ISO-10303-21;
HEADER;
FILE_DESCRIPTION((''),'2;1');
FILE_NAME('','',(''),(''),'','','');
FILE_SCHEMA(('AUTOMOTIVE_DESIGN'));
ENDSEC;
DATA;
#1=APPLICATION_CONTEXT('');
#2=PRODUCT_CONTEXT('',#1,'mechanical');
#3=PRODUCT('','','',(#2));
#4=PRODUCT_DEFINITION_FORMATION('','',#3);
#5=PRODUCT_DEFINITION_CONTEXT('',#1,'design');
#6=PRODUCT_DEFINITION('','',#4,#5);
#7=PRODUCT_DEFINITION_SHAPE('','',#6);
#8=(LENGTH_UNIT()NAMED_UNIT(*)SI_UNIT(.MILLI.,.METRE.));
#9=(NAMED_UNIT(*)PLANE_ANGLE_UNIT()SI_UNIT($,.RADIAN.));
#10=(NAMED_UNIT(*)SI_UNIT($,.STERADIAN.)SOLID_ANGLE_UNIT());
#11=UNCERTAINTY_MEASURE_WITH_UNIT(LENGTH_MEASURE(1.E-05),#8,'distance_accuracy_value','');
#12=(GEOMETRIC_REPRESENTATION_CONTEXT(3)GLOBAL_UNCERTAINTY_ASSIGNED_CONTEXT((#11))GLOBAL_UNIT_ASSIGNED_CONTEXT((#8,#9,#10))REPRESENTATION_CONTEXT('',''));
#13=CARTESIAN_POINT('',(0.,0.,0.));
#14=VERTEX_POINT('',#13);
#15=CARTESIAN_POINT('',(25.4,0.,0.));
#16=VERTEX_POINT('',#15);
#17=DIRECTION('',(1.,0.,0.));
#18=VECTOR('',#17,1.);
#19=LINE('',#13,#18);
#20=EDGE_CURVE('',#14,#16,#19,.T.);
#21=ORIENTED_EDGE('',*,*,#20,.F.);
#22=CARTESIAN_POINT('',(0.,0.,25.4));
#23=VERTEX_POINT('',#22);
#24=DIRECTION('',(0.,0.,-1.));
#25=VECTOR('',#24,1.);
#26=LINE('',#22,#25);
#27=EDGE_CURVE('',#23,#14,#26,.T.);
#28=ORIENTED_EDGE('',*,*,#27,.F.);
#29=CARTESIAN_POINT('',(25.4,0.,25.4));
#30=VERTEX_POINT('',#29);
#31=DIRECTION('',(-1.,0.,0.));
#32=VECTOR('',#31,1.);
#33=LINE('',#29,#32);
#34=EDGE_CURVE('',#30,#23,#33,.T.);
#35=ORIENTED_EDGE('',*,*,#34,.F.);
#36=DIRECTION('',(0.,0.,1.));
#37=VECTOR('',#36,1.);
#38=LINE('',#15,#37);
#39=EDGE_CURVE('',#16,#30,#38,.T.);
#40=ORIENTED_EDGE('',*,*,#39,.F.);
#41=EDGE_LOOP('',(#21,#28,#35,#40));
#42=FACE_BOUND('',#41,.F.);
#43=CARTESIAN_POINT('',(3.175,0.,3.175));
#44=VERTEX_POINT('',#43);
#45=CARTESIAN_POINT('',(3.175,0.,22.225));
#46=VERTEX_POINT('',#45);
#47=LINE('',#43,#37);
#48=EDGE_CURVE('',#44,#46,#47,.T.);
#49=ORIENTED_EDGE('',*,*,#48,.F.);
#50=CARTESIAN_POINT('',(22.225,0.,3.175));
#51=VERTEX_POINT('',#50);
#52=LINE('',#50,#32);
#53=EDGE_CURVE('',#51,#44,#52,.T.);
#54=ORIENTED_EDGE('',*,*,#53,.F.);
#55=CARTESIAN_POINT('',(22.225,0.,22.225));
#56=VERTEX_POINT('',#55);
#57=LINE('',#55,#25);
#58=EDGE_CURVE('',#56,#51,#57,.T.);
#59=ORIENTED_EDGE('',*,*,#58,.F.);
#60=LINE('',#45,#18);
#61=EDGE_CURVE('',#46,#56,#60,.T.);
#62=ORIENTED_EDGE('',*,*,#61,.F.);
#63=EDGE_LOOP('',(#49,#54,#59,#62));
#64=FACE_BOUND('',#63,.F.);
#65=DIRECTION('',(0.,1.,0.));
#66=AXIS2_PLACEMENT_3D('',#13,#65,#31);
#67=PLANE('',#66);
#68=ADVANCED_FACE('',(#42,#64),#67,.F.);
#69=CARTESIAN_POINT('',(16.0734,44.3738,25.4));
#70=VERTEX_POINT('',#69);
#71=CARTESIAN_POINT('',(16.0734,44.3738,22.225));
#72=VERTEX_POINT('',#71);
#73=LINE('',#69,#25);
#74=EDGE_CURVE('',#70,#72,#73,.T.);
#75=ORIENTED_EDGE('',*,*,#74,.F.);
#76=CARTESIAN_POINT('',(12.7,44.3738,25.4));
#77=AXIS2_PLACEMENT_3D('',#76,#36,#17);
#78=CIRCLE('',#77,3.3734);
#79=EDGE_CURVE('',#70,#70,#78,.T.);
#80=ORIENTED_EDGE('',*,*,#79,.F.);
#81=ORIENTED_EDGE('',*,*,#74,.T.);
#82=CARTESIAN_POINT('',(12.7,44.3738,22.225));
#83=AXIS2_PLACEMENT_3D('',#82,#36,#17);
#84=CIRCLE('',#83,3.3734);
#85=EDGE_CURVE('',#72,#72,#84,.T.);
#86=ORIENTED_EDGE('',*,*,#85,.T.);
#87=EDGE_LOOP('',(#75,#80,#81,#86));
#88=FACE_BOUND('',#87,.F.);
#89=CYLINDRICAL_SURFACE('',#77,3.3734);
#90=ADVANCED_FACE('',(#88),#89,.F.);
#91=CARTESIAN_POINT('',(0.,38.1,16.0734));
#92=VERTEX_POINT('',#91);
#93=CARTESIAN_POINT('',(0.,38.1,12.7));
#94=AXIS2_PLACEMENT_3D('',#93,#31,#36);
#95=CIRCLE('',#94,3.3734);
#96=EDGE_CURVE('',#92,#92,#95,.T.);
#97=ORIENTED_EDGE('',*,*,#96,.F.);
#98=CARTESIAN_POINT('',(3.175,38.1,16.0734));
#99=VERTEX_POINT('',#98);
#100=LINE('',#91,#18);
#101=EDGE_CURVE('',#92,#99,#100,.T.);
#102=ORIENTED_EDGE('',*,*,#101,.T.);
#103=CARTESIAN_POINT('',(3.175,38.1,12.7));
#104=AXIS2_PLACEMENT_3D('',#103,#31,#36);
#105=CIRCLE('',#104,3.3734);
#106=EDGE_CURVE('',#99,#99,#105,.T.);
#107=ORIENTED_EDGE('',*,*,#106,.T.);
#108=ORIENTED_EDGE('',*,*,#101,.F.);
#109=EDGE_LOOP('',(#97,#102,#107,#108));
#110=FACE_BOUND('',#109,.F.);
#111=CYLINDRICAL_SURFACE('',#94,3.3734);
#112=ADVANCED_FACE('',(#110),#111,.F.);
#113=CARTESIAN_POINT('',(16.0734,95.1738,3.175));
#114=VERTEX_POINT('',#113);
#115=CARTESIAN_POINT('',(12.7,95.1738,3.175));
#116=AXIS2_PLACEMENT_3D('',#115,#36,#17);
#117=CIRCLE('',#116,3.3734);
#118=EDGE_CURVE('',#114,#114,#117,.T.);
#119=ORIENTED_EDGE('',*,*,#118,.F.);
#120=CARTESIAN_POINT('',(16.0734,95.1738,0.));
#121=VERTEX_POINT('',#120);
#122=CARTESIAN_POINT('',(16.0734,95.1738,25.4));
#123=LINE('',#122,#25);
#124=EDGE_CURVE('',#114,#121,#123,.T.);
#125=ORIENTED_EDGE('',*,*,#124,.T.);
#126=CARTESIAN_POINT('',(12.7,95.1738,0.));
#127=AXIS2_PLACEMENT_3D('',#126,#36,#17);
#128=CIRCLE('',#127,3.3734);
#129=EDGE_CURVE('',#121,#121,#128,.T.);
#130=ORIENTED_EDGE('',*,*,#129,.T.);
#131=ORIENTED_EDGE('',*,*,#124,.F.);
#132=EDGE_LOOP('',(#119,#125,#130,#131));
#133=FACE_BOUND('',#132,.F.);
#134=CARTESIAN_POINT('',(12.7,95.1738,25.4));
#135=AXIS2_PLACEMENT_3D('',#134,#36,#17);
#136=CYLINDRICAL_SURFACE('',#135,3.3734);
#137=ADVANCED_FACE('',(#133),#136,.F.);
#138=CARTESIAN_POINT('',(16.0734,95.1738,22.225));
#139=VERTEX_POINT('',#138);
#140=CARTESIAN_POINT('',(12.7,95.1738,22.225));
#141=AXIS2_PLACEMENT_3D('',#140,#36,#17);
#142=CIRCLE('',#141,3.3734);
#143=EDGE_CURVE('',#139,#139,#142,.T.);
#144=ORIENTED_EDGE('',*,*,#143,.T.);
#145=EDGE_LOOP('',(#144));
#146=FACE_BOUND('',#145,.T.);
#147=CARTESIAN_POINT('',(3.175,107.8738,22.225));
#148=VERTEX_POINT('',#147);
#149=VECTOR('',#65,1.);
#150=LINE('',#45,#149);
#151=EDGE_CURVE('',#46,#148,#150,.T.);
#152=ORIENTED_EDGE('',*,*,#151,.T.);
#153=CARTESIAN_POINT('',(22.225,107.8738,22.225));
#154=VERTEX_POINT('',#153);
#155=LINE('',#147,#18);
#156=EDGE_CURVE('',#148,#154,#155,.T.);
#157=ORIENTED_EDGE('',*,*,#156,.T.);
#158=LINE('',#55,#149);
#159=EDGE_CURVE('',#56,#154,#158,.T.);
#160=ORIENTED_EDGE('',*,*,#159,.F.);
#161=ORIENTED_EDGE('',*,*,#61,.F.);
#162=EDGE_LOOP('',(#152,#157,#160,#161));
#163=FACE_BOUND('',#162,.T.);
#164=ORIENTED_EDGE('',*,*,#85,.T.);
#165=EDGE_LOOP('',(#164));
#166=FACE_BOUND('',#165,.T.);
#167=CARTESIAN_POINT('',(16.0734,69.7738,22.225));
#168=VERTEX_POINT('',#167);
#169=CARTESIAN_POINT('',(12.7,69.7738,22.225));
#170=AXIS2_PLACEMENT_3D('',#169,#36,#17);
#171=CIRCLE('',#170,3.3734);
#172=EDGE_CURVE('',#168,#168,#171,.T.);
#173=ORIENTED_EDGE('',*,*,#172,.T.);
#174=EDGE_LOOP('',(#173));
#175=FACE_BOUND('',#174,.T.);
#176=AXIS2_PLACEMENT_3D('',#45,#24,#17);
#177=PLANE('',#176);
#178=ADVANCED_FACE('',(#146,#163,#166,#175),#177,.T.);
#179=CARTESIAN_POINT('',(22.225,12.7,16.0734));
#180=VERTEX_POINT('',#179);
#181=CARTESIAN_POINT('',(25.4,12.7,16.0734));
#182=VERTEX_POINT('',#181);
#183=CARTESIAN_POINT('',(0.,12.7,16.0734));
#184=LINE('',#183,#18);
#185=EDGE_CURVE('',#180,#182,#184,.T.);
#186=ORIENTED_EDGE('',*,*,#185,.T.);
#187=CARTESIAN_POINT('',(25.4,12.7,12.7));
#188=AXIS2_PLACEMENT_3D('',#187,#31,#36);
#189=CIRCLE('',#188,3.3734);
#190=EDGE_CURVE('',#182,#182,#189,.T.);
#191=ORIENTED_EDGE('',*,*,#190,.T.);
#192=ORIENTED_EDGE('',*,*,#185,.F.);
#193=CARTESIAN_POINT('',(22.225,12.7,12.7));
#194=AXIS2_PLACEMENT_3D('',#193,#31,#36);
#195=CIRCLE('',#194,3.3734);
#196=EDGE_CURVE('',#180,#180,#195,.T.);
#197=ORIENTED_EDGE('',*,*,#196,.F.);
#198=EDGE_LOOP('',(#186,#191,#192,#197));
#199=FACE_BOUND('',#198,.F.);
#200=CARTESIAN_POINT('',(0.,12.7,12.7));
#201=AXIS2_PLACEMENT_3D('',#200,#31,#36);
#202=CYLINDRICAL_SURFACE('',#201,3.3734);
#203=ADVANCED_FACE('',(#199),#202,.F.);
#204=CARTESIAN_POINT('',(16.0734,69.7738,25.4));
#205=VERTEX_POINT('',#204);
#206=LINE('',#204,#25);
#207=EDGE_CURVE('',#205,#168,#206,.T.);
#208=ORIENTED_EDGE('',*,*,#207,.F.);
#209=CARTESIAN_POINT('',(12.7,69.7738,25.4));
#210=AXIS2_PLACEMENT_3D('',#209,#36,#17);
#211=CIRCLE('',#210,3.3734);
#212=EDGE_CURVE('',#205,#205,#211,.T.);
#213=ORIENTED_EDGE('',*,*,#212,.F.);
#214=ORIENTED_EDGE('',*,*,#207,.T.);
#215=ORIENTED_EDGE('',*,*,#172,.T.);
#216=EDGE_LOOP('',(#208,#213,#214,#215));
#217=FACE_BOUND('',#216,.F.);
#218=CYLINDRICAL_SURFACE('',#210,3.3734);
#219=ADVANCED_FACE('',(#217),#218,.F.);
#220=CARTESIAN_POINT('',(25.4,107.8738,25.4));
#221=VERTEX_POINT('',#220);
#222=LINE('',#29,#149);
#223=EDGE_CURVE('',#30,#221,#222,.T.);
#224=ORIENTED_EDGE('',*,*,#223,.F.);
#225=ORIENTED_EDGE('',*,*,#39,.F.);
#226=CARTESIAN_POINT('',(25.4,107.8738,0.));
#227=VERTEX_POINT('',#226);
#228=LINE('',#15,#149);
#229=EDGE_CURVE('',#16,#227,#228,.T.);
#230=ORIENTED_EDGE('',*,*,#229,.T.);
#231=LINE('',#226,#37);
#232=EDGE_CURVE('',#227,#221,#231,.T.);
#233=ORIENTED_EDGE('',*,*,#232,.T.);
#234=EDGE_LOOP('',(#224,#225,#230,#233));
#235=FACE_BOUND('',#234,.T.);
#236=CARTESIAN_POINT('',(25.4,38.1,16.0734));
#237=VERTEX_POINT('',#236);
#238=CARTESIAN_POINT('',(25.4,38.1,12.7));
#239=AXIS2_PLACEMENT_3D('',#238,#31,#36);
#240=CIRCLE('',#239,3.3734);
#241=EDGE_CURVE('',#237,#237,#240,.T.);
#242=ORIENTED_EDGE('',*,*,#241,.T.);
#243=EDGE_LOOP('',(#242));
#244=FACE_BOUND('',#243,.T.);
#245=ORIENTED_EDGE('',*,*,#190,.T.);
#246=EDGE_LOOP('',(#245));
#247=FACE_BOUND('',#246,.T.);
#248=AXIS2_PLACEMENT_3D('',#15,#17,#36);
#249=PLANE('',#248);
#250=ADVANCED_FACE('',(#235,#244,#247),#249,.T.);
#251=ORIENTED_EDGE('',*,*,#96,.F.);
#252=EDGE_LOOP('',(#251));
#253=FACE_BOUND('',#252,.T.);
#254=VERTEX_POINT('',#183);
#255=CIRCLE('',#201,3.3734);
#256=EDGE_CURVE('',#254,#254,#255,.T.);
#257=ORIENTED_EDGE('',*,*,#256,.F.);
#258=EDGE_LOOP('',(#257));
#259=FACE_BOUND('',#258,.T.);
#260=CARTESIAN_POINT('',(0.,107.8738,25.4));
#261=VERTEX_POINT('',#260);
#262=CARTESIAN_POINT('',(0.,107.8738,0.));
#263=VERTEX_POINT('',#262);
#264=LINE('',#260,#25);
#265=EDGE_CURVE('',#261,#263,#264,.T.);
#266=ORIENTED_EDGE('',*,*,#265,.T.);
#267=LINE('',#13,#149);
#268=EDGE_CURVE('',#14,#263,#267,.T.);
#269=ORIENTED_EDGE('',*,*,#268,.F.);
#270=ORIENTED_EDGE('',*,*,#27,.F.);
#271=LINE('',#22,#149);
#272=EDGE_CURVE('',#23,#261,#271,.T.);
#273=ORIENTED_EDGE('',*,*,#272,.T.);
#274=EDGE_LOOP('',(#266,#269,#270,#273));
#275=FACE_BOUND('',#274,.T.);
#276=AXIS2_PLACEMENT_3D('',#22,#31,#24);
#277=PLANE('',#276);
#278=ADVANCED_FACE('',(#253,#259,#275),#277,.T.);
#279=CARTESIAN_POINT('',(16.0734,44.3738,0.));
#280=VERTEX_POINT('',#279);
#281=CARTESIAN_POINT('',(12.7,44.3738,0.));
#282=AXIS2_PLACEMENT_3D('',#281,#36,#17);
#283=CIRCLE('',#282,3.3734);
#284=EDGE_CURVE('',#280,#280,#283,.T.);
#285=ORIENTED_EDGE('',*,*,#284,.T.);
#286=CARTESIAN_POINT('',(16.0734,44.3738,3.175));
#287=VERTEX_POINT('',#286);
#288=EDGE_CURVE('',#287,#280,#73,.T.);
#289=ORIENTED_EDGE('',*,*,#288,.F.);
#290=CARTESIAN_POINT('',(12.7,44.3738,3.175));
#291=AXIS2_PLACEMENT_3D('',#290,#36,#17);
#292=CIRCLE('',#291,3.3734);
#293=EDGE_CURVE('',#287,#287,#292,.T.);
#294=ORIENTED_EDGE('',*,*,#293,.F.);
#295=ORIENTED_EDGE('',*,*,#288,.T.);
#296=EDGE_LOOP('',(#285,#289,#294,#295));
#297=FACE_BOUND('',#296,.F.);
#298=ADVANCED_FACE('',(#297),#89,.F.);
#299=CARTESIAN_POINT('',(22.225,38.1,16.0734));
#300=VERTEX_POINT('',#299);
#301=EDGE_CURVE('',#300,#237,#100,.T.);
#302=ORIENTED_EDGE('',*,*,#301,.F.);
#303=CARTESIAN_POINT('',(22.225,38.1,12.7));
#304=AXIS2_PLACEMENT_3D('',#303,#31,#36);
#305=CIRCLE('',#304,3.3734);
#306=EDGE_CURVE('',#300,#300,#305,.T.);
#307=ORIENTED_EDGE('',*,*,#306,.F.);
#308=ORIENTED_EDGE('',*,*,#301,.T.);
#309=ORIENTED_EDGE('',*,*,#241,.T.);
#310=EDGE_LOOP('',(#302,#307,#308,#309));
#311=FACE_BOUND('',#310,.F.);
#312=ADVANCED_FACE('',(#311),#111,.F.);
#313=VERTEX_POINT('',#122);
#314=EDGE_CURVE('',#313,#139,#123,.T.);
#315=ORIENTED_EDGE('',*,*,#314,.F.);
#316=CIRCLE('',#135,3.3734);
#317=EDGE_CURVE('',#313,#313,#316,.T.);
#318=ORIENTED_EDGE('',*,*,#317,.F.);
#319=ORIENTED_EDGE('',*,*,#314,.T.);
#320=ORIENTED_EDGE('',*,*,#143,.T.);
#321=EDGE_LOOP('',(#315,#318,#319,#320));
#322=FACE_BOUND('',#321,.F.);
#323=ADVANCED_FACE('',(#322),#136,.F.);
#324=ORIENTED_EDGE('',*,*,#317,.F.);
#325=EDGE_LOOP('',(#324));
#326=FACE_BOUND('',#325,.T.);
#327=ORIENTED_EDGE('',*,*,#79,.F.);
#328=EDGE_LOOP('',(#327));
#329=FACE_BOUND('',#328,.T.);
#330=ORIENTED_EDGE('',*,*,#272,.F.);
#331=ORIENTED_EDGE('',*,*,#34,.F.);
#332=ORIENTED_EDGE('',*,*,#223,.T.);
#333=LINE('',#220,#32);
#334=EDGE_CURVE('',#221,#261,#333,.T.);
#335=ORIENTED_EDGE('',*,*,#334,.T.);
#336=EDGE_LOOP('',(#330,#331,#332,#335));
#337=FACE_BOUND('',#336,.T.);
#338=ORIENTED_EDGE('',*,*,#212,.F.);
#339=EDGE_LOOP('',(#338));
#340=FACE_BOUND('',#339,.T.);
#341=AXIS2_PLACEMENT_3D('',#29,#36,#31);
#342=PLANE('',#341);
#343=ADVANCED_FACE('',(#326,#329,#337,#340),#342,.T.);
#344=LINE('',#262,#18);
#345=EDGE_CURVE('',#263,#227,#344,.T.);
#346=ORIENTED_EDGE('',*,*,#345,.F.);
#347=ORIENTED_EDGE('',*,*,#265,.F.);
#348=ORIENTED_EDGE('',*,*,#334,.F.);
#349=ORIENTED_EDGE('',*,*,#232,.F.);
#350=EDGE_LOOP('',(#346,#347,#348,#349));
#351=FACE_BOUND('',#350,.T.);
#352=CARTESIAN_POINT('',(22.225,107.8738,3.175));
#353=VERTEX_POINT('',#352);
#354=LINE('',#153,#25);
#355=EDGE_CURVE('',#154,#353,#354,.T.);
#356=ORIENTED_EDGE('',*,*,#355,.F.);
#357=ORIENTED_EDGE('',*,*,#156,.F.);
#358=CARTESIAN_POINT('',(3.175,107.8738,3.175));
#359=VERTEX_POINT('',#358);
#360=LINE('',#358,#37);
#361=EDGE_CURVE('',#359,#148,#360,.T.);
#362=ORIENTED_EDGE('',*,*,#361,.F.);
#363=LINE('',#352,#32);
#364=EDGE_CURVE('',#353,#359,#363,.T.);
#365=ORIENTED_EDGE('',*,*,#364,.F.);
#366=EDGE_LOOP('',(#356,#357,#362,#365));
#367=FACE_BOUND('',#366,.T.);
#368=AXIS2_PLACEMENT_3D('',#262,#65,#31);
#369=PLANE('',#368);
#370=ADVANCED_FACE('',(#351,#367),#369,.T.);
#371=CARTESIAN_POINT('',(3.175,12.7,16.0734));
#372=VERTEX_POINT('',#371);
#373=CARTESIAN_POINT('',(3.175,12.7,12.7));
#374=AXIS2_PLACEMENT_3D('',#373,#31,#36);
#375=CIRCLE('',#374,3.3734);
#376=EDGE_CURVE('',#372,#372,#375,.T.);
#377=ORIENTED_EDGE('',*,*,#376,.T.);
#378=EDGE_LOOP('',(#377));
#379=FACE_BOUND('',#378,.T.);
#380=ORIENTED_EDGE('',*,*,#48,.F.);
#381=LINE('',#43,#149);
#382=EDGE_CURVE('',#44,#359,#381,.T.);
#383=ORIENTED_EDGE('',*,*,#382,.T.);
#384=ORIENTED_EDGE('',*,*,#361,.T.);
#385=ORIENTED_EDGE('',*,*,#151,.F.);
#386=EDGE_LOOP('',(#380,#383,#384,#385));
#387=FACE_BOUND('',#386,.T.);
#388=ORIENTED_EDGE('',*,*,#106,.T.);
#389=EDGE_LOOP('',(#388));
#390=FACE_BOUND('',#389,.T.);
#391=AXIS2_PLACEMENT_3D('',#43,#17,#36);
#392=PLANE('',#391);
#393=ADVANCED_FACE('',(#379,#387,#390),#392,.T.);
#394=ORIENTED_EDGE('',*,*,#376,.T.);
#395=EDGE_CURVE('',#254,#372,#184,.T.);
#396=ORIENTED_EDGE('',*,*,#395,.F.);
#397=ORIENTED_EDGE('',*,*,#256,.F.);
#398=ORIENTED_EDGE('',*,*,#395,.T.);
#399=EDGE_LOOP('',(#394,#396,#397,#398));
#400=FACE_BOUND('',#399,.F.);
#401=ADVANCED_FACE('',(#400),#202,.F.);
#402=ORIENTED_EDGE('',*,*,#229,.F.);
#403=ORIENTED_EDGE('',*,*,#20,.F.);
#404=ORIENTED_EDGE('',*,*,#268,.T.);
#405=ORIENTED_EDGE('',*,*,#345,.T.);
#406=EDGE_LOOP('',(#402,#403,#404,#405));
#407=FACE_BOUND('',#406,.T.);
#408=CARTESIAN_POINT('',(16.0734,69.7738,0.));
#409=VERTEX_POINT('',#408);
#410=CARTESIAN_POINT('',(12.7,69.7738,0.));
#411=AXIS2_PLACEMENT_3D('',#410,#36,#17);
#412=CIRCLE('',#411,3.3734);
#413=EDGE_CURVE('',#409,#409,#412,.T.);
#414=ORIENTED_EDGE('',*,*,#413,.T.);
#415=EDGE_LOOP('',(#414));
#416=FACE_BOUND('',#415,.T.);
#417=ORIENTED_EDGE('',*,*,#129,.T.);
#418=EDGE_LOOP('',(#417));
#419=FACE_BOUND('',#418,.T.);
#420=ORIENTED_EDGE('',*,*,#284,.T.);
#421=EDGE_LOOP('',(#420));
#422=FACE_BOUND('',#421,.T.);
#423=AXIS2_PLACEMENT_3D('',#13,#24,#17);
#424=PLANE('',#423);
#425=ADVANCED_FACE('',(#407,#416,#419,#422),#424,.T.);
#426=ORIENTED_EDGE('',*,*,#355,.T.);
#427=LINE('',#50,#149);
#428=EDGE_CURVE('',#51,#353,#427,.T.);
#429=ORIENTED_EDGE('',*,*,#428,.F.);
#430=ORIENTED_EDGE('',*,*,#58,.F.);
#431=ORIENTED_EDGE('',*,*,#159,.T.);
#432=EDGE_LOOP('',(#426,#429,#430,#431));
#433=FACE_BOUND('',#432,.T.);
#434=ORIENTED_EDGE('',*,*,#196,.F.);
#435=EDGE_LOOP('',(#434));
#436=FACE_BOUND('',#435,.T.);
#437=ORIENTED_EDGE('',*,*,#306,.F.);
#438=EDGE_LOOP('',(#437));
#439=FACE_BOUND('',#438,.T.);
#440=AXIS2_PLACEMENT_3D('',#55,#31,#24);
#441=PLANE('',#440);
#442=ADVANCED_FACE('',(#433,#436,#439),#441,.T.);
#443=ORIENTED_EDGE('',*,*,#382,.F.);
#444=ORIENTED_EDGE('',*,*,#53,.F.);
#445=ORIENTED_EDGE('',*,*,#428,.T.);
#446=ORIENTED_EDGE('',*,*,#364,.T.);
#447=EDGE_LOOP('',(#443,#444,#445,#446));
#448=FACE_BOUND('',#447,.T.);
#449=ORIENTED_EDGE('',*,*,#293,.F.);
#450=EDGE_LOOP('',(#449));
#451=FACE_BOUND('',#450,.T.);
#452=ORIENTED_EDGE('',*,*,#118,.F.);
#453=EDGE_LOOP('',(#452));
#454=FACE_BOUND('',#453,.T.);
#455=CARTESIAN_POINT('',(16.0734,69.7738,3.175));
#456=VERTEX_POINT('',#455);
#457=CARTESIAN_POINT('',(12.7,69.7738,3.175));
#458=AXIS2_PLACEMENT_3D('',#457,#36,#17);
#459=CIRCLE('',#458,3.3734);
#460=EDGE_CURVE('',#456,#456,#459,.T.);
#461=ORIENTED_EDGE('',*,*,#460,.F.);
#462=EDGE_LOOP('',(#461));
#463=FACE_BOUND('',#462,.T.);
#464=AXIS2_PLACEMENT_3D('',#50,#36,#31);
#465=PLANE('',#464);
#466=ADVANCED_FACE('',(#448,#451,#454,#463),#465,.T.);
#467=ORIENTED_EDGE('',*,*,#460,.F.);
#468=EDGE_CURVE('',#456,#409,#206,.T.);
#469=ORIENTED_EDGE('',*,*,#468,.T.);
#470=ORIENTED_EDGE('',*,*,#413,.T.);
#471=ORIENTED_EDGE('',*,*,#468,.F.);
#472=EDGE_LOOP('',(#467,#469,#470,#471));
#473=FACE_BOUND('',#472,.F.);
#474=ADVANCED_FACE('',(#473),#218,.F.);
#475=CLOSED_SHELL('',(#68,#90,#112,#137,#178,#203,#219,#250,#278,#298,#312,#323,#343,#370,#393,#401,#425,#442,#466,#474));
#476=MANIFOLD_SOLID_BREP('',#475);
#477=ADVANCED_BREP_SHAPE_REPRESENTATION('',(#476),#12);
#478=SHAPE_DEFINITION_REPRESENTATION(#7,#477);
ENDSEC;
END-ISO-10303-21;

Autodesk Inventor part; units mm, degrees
ref_plane "YZ Plane" through (0, 0, 0) normal (1, 0, 0) x (0, 1, 0)
ref_plane "XZ Plane" through (0, 0, 0) normal (0, 1, 0) x (-1, 0, 0)
ref_plane "XY Plane" through (0, 0, 0) normal (0, 0, 1) x (1, 0, 0)
sketch "Sketch1" plane through (0, 0, 0) normal (0, 1, 0) x (-1, 0, 0)
  line L0 (0, 0) -> (-25.4, 0)
  line L1 (-25.4, 0) -> (-25.4, 25.4)
  line L2 (-25.4, 25.4) -> (0, 25.4)
  line L3 (0, 25.4) -> (0, 0)
  line L4 (-22.225, 22.225) -> (-22.225, 3.175)
  line L5 (-22.225, 3.175) -> (-3.175, 3.175)
  line L6 (-3.175, 3.175) -> (-3.175, 22.225)
  line L7 (-3.175, 22.225) -> (-22.225, 22.225)
  dimension "d0" = 25.4
  dimension "d1" = 25.4
  dimension "d2" = 3.175
extrude "Extrusion1" add sketch "Sketch1" along normal blind 107.8738
sketch "Sketch2" plane through (0, 0, 25.4) normal (0, 0, 1) x (1, 0, 0)
  circle A0 centre (12.7, 95.1738) radius 3.3734
  line L0 (25.4, 0) -> (25.4, 107.8738) projected
  line L1 (0, 107.8738) -> (25.4, 107.8738) projected
  circle A1 centre (12.7, 69.7738) radius 3.3734
  circle A2 centre (12.7, 44.3738) radius 3.3734
  point P0 (0, 0)
  dimension "d5" = 6.7469
  dimension "d6" = 12.7
  dimension "d7" = 12.7
  dimension "d8" = 6.7469
  dimension "d9" = 12.7
  dimension "d10" = 25.4
  dimension "d11" = 6.7469
  dimension "d12" = 25.4
  dimension "d13" = 12.7
extrude "Extrusion2" cut sketch "Sketch2" against normal blind 25.4
sketch "Sketch3" plane through (0, 0, 0) normal (-1, 0, 0) x (0, 0, 1)
  circle A0 centre (12.7, 12.7) radius 3.3734
  circle A1 centre (12.7, 38.1) radius 3.3734
  line L0 (25.4, 0) -> (25.4, 107.8738) projected
  line L1 (25.4, 0) -> (0, 0) projected
  dimension "d16" = 6.7469
  dimension "d17" = 12.7
  dimension "d18" = 12.7
  dimension "d19" = 12.7
  dimension "d20" = 38.1
extrude "Extrusion3" cut sketch "Sketch3" against normal blind 25.4
properties part number "upright beam"
